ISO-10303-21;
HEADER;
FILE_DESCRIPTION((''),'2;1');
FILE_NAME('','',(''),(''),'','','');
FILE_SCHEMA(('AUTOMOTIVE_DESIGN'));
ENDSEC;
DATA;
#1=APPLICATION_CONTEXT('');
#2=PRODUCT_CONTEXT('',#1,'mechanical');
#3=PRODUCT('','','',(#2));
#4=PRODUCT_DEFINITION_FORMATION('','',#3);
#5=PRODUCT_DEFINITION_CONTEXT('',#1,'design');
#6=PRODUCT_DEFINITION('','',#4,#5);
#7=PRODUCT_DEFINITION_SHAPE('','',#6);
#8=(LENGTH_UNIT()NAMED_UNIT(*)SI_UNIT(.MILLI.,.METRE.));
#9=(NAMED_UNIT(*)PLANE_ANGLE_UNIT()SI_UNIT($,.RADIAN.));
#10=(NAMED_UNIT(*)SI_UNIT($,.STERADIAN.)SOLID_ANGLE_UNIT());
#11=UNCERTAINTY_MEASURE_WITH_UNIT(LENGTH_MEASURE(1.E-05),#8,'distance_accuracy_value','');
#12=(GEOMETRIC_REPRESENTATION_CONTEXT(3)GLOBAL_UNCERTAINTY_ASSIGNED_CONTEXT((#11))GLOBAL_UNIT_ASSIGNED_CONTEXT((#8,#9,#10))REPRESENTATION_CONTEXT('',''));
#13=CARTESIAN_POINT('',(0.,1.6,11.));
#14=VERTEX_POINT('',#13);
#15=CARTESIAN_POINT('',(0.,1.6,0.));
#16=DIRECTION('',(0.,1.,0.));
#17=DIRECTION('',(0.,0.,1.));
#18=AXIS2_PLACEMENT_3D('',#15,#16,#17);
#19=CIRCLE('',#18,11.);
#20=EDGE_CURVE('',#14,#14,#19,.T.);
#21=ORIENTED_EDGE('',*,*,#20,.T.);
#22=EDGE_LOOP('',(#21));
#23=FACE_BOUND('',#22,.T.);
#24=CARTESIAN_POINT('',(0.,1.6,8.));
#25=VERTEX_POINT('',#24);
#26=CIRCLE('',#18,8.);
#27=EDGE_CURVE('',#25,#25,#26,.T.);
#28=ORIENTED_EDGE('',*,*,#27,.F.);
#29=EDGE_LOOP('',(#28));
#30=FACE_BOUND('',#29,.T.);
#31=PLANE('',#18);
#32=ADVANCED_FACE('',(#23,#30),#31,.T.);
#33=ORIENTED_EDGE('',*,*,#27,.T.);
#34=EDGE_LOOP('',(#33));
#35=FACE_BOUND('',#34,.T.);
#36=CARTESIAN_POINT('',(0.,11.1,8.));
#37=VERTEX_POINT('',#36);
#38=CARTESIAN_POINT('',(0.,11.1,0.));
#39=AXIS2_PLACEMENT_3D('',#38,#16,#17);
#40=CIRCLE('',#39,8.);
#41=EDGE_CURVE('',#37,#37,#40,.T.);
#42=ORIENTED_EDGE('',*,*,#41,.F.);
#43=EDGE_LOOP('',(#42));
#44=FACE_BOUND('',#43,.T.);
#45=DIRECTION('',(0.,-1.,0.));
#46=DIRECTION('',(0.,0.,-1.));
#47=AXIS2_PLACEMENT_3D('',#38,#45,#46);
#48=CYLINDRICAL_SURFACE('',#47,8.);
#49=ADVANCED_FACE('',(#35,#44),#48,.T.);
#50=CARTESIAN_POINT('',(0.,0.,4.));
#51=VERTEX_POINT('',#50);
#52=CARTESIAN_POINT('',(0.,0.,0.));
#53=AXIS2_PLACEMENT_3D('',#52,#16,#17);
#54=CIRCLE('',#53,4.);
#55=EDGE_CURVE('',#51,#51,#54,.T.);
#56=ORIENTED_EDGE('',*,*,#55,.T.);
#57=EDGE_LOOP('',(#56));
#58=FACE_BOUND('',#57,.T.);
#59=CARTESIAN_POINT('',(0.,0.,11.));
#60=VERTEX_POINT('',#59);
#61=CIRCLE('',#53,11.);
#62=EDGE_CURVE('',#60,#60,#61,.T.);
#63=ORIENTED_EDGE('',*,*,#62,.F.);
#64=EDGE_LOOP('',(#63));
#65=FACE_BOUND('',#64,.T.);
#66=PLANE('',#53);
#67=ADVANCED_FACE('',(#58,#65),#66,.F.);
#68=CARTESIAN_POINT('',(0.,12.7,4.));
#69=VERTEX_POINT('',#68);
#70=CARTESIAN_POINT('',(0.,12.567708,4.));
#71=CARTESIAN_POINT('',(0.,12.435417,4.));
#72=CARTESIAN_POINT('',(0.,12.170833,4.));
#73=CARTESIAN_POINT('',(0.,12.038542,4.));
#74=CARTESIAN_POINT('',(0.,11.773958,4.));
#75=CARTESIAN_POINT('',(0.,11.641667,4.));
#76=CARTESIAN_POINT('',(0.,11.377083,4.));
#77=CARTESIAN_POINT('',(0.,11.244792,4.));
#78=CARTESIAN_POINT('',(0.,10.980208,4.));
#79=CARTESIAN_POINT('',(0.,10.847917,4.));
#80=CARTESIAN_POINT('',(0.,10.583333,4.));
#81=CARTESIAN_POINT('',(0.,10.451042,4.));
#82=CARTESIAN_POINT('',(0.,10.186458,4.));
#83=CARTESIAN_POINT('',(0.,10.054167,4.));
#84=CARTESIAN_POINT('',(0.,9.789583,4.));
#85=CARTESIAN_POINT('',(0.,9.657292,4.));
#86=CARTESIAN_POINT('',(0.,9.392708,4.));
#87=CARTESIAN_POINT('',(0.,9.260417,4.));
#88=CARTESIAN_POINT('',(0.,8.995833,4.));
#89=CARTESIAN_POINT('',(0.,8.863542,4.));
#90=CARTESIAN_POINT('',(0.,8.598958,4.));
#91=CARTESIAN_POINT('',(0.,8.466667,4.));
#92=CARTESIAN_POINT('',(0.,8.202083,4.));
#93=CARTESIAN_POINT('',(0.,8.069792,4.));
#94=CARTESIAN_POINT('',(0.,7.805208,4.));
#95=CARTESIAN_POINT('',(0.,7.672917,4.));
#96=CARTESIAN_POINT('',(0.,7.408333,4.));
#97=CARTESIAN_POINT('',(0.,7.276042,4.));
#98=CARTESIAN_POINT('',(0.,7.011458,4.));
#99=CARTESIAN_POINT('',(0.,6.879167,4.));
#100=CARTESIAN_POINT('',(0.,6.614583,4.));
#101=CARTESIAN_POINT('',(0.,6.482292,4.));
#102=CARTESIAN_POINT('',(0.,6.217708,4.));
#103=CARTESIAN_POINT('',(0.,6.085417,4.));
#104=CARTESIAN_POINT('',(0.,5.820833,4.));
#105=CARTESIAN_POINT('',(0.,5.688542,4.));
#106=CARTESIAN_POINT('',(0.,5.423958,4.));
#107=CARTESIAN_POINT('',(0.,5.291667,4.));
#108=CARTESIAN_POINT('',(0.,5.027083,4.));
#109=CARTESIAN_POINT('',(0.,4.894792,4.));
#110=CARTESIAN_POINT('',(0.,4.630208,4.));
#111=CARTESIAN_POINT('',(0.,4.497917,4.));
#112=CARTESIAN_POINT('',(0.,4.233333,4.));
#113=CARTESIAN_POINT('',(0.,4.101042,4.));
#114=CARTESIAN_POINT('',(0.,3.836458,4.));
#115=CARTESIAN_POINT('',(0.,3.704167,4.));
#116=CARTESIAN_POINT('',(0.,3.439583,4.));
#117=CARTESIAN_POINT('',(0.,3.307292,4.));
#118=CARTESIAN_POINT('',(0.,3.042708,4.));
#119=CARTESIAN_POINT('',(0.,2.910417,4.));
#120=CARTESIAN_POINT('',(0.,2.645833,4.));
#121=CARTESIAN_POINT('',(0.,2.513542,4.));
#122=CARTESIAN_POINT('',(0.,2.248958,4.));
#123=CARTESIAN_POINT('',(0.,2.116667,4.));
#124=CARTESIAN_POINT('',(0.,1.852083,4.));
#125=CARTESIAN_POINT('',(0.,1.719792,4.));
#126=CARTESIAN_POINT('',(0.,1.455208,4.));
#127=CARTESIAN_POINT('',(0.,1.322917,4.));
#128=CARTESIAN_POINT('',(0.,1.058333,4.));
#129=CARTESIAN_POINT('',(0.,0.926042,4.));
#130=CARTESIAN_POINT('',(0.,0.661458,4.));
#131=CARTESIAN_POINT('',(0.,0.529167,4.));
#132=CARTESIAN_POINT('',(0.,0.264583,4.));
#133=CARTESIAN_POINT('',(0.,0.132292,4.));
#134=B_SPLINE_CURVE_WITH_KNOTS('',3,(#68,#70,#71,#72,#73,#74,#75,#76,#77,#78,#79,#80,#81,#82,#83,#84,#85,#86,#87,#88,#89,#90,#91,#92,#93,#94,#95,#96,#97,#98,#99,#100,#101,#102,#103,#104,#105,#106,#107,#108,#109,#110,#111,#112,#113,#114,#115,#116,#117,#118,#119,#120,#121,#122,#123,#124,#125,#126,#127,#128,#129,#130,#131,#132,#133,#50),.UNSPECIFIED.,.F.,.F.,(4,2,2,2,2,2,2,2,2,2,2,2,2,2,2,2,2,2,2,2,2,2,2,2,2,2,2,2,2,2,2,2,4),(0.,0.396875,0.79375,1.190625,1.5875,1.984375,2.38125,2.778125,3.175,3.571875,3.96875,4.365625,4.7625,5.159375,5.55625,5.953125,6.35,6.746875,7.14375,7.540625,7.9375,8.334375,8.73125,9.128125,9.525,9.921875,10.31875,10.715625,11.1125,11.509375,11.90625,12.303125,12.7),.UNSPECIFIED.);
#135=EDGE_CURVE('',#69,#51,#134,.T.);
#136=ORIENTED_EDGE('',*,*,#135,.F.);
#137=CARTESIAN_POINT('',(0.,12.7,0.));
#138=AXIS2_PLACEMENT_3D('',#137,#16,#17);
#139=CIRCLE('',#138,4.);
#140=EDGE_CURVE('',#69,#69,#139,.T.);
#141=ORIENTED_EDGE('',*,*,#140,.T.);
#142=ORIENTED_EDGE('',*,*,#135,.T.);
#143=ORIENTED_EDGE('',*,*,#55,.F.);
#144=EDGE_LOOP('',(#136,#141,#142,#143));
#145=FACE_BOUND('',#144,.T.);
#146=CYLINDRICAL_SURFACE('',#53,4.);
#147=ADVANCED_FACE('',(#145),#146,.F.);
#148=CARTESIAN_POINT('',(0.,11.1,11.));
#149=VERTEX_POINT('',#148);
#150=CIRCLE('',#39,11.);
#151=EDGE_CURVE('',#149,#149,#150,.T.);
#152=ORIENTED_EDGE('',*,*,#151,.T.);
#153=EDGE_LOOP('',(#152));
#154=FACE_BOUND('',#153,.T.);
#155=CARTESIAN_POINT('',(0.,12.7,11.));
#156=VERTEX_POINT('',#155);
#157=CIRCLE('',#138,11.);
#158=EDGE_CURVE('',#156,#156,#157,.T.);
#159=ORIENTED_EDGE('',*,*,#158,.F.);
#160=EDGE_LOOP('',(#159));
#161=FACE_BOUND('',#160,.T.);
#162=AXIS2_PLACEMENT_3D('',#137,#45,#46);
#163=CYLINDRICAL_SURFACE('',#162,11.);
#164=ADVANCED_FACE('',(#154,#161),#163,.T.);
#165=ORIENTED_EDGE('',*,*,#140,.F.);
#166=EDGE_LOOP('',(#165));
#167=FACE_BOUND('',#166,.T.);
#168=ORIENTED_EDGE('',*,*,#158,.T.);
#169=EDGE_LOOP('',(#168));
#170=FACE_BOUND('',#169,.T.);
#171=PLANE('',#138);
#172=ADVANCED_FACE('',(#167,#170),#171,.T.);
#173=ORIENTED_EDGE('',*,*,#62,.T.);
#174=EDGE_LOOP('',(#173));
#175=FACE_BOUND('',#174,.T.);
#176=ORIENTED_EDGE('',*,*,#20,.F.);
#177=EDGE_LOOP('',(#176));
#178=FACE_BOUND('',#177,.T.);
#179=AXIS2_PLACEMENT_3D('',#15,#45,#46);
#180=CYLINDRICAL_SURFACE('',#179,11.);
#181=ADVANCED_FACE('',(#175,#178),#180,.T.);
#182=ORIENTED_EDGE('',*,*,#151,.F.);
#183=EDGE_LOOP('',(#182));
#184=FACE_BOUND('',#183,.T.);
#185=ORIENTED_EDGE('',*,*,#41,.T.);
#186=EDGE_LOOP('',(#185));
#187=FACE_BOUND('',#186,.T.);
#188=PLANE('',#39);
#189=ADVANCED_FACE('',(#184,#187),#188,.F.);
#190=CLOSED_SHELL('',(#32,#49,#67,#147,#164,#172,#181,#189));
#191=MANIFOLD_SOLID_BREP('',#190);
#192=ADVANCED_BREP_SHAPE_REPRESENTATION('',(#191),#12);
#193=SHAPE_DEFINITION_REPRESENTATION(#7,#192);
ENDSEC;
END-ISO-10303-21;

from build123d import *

# Parameters (mm, degrees)
SKETCH1_R               = 11
BOSS_EXTRUDE1_DEPTH     = 1.6
SKETCH2_R               = 8
BOSS_EXTRUDE2_DEPTH     = 9.5
SKETCH3_R               = 11
BOSS_EXTRUDE3_DEPTH     = 1.6
CUT_EXTRUDE1_DEPTH      = 21.082081565
CUT_EXTRUDE1_DEPTH_BACK = 21.082081565
SKETCH4_R               = 4


with BuildPart() as part:
    # Sketch1 → Boss-Extrude1 (new body)
    with BuildSketch(Plane(origin=(0, 0, 0), x_dir=(1, 0, 0), z_dir=(0, 1, 0))):
        with Locations(Location((0, 0, 0), (0, 0, 270))):
            Circle(SKETCH1_R)
    extrude(amount=BOSS_EXTRUDE1_DEPTH)

    # Sketch2 → Boss-Extrude2 (add)
    with BuildSketch(Plane(origin=(0, 1.6, 0), x_dir=(1, 0, 0), z_dir=(0, 1, 0))):
        with Locations(Location((0, 0, 0), (0, 0, 270))):
            Circle(SKETCH2_R)
    extrude(amount=BOSS_EXTRUDE2_DEPTH)

    # Sketch3 → Boss-Extrude3 (add)
    with BuildSketch(Plane(origin=(0, 11.1, 0), x_dir=(1, 0, 0), z_dir=(0, 1, 0))):
        with Locations(Location((0, 0, 0), (0, 0, 270))):
            Circle(SKETCH3_R)
    extrude(amount=BOSS_EXTRUDE3_DEPTH)

    # Sketch4 → Cut-Extrude1 (cut, two sides: drawn at the far end of the back side and taken through both)
    with BuildSketch(Plane(origin=(0, 12.7, 0), x_dir=(1, 0, 0), z_dir=(0, 1, 0)).offset(-CUT_EXTRUDE1_DEPTH_BACK)):
        with Locations(Location((0, 0, 0), (0, 0, 270))):
            Circle(SKETCH4_R)
    extrude(amount=CUT_EXTRUDE1_DEPTH + CUT_EXTRUDE1_DEPTH_BACK, mode=Mode.SUBTRACT)


solid = part.part
